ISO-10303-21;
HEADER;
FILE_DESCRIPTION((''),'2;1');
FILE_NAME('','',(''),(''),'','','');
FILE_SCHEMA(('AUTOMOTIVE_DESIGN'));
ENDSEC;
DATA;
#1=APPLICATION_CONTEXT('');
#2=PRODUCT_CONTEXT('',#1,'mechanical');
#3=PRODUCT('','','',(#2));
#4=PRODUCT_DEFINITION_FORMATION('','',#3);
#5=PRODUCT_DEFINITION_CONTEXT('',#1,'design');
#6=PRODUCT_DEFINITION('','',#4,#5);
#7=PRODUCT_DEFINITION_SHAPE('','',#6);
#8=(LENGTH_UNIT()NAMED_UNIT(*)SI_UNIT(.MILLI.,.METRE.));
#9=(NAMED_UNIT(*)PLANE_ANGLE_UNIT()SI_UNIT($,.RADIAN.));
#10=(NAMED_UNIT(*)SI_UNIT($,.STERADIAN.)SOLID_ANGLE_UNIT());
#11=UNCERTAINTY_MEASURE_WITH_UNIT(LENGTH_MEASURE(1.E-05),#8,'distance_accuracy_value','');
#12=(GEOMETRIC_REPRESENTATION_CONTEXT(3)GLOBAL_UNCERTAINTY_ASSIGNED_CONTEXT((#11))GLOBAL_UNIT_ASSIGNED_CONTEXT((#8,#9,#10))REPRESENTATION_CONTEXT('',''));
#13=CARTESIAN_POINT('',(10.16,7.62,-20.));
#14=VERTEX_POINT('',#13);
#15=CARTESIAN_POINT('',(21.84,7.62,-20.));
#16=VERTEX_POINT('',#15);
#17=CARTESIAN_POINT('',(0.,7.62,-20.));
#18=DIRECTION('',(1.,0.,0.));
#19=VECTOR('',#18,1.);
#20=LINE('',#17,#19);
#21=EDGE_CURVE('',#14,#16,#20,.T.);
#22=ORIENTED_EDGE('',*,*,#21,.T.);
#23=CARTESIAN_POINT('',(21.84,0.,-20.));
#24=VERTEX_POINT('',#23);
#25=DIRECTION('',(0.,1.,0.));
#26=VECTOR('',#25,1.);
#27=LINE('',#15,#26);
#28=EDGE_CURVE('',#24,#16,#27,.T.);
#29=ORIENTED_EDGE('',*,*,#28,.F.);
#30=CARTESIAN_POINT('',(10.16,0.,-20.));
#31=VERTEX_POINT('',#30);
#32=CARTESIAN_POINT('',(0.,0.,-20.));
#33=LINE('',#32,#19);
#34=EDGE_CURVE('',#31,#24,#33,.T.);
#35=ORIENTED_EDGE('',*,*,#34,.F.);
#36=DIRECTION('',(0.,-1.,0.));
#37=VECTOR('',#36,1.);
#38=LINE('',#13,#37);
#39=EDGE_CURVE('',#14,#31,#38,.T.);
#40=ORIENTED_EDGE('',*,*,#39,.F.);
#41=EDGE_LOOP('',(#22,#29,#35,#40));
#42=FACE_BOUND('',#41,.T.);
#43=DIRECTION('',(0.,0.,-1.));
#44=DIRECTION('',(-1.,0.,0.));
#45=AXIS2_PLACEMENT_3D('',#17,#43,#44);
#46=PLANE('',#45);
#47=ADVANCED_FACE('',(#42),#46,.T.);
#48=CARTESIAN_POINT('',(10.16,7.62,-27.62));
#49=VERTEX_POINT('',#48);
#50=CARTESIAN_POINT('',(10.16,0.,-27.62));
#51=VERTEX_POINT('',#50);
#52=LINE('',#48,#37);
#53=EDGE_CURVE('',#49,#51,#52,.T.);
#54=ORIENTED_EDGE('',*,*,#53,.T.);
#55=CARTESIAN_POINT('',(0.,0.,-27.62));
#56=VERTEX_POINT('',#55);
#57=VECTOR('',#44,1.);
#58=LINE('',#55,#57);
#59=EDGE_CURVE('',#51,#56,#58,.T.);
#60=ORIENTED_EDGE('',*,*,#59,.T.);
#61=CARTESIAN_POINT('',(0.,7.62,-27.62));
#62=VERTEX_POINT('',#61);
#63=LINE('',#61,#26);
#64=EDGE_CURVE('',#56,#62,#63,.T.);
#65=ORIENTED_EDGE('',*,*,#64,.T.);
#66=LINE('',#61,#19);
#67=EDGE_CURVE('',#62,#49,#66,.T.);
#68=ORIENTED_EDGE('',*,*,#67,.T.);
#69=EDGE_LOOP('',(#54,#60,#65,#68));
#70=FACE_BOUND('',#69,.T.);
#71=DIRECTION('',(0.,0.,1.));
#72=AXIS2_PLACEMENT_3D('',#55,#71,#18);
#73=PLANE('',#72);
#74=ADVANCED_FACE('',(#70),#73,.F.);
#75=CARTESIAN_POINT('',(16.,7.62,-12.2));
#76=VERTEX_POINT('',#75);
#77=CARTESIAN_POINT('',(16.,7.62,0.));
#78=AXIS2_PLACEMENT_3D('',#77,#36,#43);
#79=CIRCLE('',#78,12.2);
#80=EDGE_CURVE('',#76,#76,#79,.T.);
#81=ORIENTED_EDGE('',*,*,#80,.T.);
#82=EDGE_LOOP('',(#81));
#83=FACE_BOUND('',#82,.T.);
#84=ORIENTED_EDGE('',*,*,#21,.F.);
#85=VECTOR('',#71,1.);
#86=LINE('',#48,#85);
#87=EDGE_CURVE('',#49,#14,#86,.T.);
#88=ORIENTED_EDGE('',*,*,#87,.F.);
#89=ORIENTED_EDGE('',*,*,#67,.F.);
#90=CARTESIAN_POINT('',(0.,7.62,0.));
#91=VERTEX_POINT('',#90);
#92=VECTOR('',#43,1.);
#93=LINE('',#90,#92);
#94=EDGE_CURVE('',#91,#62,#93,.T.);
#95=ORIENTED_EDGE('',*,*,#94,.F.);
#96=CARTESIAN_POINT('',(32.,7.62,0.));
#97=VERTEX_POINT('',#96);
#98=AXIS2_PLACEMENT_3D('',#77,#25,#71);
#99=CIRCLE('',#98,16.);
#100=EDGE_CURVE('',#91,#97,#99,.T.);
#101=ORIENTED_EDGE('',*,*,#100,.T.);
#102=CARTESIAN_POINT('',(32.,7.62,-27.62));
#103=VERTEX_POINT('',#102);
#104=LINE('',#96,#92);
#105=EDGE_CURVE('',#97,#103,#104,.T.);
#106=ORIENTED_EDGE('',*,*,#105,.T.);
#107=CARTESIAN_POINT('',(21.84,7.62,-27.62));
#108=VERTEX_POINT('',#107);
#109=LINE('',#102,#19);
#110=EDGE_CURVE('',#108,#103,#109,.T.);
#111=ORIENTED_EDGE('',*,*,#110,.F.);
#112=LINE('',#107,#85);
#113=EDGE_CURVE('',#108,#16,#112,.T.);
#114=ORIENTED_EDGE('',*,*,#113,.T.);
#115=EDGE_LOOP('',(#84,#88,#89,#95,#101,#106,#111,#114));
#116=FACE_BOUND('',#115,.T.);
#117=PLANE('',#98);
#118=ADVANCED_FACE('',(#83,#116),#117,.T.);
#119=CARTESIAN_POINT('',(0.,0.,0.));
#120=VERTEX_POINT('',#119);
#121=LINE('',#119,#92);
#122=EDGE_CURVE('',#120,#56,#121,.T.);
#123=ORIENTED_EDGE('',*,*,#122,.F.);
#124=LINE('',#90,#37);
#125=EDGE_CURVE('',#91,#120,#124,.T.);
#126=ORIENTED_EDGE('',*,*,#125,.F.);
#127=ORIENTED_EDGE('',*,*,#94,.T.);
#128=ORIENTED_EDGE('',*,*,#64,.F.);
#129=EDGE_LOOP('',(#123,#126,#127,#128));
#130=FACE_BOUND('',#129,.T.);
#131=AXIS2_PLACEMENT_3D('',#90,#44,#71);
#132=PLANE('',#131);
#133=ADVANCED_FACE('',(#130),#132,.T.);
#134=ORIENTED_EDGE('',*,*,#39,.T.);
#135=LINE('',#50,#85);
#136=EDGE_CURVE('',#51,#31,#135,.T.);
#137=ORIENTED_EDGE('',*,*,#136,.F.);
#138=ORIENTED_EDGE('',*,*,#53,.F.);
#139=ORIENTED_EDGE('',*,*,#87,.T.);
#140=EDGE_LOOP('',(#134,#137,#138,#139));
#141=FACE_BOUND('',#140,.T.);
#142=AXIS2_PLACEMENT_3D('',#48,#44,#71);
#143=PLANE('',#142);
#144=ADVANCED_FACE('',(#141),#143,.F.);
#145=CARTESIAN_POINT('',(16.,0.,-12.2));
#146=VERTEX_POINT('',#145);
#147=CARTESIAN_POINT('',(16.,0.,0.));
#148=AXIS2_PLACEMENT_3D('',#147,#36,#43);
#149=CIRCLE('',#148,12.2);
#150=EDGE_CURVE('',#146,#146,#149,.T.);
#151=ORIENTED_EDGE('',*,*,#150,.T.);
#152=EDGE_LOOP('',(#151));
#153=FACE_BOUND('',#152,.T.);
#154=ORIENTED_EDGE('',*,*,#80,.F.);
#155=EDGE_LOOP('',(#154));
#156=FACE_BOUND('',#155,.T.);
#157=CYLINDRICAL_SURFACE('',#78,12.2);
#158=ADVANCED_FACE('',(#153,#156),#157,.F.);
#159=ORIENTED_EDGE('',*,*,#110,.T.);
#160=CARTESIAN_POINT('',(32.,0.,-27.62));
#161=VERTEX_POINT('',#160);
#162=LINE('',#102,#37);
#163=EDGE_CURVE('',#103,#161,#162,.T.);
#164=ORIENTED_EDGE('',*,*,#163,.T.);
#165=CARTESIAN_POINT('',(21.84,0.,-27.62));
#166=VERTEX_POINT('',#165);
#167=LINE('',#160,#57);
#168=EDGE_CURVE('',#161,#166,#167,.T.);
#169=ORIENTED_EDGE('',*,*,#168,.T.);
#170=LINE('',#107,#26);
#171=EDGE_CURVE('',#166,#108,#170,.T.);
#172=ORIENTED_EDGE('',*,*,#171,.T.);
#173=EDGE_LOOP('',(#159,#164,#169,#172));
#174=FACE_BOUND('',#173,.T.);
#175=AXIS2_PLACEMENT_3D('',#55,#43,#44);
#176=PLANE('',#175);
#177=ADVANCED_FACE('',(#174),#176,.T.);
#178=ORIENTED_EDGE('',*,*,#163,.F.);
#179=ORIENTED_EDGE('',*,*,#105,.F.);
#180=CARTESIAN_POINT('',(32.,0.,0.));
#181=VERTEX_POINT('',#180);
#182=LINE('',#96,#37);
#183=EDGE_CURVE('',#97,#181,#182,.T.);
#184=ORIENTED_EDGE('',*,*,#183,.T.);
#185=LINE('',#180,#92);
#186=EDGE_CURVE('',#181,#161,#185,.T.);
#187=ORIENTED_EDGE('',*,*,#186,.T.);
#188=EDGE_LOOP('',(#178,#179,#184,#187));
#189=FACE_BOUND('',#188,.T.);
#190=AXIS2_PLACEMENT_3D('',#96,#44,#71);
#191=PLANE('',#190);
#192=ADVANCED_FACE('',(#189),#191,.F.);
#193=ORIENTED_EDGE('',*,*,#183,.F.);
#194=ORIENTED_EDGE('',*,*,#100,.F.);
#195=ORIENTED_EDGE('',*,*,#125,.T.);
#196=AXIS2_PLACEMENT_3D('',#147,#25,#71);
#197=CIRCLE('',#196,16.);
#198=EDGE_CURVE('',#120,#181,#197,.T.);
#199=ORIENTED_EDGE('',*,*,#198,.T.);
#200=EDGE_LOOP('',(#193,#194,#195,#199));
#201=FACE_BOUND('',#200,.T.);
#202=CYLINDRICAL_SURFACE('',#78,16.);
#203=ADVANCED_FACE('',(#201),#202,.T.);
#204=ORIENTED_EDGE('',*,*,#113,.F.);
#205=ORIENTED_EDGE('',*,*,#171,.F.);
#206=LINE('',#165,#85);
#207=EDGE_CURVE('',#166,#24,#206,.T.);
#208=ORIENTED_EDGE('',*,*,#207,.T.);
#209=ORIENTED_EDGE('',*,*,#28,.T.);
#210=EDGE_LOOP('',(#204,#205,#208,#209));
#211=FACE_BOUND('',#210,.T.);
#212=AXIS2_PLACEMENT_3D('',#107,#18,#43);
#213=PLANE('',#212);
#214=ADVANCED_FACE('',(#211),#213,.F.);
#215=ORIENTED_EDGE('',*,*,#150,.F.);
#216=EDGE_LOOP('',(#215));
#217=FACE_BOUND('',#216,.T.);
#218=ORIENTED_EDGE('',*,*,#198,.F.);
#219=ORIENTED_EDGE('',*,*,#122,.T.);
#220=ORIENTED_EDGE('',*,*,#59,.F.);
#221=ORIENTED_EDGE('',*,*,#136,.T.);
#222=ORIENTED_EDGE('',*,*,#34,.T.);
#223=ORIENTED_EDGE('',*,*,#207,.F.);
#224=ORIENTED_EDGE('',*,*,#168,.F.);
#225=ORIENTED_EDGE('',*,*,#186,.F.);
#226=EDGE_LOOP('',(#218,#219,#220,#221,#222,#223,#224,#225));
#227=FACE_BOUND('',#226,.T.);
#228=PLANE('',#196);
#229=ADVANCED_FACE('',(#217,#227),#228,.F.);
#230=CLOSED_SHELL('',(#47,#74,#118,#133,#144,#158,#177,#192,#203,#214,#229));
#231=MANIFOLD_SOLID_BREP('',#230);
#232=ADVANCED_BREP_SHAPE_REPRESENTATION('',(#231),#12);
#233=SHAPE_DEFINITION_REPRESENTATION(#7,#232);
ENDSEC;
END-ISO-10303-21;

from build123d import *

# Parameters (mm, degrees)
BOSS_EXTRUDE1_DEPTH = 7.62
SKETCH2_R           = 12.2
CUT_EXTRUDE1_DEPTH  = 8.62
SKETCH3_W           = 10.16
SKETCH3_H           = 7.62
BOSS_EXTRUDE2_DEPTH = 7.62


with BuildPart() as part:
    # Sketch1 → Boss-Extrude1 (new body)
    with BuildSketch(Plane(origin=(0, 0, 0), x_dir=(1, 0, 0), z_dir=(0, 1, 0))):
        with BuildLine():
            Line((0, 0), (0, 20))
            Line((0, 20), (32, 20))
            Line((32, 20), (32, 0))
            ThreePointArc((32, 0), (16, -16), (0, 0))
        make_face()
    extrude(amount=BOSS_EXTRUDE1_DEPTH)

    # Sketch2 → Cut-Extrude1 (cut, through all)
    with BuildSketch(Plane.XZ):
        with Locations((16, 0)):
            Circle(SKETCH2_R)
    extrude(amount=-CUT_EXTRUDE1_DEPTH, mode=Mode.SUBTRACT)

    # Sketch3 → Boss-Extrude2 (add)
    with BuildSketch(Plane(origin=(0, 0, -20), x_dir=(-1, 0, 0), z_dir=(0, 0, -1))):
        with Locations((-26.92, 3.81)):
            Rectangle(SKETCH3_W, SKETCH3_H)
        with Locations((-5.08, 3.81)):
            Rectangle(SKETCH3_W, SKETCH3_H)
    extrude(amount=BOSS_EXTRUDE2_DEPTH)


solid = part.part
